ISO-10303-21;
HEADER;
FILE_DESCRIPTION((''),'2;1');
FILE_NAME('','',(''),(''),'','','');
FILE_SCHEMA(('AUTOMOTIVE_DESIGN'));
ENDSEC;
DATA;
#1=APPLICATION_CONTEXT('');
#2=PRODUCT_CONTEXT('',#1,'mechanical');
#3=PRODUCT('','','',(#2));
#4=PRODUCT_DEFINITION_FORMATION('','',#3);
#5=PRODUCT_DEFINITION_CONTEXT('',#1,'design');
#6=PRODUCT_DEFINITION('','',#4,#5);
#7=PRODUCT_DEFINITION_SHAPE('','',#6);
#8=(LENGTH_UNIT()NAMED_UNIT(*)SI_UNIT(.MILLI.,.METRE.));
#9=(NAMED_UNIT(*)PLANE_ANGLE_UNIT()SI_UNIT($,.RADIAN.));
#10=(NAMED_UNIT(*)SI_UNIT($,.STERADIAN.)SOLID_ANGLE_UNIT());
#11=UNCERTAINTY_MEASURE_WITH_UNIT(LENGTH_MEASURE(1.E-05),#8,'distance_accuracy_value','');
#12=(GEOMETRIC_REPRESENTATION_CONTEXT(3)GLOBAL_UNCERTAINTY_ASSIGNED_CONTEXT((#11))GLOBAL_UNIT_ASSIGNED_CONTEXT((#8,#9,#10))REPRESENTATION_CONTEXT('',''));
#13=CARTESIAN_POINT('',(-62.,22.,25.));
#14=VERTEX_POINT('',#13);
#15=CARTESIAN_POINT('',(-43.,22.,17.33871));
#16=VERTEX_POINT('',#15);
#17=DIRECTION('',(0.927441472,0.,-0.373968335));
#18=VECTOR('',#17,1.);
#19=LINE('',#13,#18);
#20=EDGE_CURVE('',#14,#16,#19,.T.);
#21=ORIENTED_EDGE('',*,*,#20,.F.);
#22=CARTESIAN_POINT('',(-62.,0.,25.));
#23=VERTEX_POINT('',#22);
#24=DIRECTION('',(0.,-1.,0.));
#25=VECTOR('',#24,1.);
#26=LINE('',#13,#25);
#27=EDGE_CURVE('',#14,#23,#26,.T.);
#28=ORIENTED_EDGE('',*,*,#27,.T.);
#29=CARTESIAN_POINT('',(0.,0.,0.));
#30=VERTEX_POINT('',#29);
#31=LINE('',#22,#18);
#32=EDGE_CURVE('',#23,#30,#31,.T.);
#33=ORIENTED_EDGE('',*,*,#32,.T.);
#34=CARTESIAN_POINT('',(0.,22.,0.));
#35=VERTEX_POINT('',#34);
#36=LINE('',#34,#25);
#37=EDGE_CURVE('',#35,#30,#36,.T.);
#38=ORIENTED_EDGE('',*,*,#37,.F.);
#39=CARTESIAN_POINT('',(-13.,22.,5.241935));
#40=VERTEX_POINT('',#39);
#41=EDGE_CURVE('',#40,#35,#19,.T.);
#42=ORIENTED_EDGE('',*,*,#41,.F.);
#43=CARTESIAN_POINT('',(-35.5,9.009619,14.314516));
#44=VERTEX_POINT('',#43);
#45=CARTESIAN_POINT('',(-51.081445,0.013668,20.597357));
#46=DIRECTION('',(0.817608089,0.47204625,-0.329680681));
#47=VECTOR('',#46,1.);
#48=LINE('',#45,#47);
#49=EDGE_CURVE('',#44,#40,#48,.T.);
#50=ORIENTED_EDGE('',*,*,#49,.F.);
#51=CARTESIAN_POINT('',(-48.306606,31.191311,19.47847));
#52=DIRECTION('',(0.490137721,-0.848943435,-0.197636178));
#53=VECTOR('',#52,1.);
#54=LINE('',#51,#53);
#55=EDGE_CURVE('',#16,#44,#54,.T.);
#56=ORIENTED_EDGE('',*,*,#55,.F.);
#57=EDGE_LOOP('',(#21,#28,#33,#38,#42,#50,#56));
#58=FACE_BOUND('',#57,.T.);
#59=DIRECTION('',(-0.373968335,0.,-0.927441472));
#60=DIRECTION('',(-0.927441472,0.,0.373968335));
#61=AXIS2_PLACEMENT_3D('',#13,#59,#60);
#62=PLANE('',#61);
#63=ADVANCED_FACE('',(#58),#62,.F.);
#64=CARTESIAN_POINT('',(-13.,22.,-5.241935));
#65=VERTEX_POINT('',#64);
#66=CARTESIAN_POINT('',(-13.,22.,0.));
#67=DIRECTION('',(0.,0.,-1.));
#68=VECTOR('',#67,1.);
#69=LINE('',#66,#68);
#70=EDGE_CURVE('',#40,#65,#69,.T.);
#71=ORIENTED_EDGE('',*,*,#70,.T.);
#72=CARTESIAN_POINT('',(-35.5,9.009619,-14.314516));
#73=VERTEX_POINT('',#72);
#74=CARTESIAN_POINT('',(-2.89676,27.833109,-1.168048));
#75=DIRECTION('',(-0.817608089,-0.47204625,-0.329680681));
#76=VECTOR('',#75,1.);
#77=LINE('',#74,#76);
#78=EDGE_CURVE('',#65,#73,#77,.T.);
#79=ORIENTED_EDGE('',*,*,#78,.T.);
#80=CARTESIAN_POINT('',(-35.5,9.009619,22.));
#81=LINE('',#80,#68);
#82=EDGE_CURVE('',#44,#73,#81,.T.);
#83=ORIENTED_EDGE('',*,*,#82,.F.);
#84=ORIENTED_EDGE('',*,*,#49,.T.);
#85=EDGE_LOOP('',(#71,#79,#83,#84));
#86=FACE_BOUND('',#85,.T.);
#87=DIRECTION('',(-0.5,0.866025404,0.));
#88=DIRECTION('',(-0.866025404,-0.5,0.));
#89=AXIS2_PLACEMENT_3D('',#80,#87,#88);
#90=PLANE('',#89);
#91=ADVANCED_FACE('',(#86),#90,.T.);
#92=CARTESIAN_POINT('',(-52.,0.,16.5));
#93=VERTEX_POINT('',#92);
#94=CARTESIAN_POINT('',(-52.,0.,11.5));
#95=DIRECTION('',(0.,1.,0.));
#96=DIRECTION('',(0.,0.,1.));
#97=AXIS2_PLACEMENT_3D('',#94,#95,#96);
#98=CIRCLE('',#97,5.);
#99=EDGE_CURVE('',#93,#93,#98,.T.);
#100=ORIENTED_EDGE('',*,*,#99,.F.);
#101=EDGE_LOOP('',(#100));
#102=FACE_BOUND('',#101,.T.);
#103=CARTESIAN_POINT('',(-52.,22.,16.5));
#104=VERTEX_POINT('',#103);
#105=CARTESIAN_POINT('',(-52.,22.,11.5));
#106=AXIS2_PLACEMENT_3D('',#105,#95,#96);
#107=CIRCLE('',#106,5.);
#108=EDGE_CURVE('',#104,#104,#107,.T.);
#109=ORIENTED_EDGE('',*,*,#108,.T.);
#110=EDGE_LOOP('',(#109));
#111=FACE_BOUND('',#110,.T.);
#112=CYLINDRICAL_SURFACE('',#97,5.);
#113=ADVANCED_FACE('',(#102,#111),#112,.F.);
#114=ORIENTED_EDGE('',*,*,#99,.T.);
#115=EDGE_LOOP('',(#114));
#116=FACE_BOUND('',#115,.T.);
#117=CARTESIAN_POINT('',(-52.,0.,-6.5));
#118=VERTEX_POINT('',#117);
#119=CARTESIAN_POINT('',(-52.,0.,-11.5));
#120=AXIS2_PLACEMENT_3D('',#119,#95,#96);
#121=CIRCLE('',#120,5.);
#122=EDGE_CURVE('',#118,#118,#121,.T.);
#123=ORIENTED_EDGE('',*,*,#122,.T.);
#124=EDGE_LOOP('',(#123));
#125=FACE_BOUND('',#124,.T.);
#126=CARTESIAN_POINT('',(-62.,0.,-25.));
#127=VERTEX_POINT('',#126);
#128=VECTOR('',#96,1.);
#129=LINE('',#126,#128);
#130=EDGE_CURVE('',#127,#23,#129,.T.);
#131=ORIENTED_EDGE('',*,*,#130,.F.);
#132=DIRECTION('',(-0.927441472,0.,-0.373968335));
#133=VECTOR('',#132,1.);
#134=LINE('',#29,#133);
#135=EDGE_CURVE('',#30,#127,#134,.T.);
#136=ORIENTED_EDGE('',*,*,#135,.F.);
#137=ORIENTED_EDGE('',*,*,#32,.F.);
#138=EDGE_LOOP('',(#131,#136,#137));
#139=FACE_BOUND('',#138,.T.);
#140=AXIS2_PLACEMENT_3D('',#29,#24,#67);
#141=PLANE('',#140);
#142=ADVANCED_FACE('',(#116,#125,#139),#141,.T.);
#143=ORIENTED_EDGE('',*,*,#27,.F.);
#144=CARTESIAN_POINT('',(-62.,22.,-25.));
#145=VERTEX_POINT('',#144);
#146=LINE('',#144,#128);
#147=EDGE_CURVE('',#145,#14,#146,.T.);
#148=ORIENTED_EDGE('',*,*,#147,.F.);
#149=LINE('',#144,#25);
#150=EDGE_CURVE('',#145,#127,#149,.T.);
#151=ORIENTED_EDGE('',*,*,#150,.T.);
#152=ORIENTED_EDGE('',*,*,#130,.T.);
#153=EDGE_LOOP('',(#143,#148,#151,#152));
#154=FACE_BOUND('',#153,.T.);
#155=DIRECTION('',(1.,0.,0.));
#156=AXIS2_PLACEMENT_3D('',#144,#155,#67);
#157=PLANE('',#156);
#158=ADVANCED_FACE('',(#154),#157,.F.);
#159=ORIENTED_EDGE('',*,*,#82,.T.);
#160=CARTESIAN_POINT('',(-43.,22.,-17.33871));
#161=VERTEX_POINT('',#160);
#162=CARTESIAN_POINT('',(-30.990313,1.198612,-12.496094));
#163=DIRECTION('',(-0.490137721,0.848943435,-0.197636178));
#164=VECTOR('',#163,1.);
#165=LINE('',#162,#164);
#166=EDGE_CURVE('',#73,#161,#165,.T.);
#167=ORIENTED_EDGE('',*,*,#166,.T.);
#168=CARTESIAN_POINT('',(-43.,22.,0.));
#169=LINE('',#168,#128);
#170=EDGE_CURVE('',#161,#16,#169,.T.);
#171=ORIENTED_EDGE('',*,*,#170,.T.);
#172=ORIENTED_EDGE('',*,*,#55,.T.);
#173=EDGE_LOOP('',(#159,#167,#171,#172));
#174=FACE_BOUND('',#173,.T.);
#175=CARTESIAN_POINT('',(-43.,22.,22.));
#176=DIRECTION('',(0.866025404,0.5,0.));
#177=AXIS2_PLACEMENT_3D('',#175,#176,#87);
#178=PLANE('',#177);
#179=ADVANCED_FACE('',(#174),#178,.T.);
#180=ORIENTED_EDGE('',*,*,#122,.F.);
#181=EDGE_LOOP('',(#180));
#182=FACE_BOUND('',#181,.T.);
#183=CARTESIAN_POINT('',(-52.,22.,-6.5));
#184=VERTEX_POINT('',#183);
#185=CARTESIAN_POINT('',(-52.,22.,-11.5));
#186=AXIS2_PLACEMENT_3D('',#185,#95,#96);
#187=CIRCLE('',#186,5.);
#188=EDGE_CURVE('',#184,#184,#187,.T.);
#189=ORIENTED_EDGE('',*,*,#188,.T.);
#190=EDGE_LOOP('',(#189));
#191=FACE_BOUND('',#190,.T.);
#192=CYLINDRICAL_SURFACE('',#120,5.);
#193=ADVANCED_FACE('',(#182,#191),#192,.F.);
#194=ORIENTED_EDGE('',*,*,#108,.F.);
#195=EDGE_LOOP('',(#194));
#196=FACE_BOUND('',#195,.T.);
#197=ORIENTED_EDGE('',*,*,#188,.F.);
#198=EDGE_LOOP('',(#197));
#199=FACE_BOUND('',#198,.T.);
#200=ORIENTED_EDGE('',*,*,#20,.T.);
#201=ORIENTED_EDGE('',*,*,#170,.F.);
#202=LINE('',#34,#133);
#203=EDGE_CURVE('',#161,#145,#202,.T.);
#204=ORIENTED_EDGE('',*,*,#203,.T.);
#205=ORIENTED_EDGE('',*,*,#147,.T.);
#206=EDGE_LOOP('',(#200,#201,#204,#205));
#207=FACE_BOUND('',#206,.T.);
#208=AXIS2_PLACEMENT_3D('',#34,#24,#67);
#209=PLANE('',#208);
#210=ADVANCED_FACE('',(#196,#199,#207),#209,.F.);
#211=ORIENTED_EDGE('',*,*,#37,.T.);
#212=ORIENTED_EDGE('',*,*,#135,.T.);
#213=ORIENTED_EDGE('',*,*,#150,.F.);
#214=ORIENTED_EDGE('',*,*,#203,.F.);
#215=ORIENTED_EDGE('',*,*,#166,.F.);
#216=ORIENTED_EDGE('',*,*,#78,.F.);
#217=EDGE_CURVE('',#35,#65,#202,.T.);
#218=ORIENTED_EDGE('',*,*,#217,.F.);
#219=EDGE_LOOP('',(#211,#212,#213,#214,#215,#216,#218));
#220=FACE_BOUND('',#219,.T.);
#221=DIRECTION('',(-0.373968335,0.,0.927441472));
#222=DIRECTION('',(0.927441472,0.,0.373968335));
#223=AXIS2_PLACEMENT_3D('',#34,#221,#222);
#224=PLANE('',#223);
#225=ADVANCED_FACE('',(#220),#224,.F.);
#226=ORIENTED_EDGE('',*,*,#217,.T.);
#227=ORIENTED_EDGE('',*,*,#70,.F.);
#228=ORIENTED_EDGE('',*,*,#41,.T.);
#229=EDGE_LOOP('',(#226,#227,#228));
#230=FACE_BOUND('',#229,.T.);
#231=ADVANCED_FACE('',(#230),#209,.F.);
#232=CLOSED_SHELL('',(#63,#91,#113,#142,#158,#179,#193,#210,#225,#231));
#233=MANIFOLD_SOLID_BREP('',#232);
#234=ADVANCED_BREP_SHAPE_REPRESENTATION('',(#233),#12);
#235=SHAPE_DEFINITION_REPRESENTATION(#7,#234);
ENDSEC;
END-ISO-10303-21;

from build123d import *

# Parameters (mm, degrees)
EXTRUDE_1_DEPTH          = 22
CUT_EXTRUDE_1_DEPTH      = 22
CUT_EXTRUDE_1_DEPTH_BACK = 22
SKETCH_4_R               = 5
CUT_EXTRUDE_2_DEPTH      = 22


with BuildPart() as part:
    # 스케치1 → 보스-돌출1 (new body)
    with BuildSketch(Plane(origin=(0, 0, 0), x_dir=(1, 0, 0), z_dir=(0, 1, 0))):
        Polygon((0, 0), (-62, 25), (-62, -25), align=None)
    extrude(amount=EXTRUDE_1_DEPTH)

    # 스케치3 → 컷-돌출1 (cut, two sides: drawn at the far end of the back side and taken through both)
    with BuildSketch(Plane.XY.offset(-CUT_EXTRUDE_1_DEPTH_BACK)):
        Polygon((-35.5, 9.009618943), (-13, 22), (-43, 22), align=None)
    extrude(amount=CUT_EXTRUDE_1_DEPTH + CUT_EXTRUDE_1_DEPTH_BACK, mode=Mode.SUBTRACT)

    # 스케치4 → 컷-돌출2 (cut)
    with BuildSketch(Plane(origin=(0, 22, 0), x_dir=(1, 0, 0), z_dir=(0, 1, 0))):
        with Locations((-52, -11.5)):
            Circle(SKETCH_4_R)
        with Locations((-52, 11.5)):
            Circle(SKETCH_4_R)
    extrude(amount=-CUT_EXTRUDE_2_DEPTH, mode=Mode.SUBTRACT)


solid = part.part
